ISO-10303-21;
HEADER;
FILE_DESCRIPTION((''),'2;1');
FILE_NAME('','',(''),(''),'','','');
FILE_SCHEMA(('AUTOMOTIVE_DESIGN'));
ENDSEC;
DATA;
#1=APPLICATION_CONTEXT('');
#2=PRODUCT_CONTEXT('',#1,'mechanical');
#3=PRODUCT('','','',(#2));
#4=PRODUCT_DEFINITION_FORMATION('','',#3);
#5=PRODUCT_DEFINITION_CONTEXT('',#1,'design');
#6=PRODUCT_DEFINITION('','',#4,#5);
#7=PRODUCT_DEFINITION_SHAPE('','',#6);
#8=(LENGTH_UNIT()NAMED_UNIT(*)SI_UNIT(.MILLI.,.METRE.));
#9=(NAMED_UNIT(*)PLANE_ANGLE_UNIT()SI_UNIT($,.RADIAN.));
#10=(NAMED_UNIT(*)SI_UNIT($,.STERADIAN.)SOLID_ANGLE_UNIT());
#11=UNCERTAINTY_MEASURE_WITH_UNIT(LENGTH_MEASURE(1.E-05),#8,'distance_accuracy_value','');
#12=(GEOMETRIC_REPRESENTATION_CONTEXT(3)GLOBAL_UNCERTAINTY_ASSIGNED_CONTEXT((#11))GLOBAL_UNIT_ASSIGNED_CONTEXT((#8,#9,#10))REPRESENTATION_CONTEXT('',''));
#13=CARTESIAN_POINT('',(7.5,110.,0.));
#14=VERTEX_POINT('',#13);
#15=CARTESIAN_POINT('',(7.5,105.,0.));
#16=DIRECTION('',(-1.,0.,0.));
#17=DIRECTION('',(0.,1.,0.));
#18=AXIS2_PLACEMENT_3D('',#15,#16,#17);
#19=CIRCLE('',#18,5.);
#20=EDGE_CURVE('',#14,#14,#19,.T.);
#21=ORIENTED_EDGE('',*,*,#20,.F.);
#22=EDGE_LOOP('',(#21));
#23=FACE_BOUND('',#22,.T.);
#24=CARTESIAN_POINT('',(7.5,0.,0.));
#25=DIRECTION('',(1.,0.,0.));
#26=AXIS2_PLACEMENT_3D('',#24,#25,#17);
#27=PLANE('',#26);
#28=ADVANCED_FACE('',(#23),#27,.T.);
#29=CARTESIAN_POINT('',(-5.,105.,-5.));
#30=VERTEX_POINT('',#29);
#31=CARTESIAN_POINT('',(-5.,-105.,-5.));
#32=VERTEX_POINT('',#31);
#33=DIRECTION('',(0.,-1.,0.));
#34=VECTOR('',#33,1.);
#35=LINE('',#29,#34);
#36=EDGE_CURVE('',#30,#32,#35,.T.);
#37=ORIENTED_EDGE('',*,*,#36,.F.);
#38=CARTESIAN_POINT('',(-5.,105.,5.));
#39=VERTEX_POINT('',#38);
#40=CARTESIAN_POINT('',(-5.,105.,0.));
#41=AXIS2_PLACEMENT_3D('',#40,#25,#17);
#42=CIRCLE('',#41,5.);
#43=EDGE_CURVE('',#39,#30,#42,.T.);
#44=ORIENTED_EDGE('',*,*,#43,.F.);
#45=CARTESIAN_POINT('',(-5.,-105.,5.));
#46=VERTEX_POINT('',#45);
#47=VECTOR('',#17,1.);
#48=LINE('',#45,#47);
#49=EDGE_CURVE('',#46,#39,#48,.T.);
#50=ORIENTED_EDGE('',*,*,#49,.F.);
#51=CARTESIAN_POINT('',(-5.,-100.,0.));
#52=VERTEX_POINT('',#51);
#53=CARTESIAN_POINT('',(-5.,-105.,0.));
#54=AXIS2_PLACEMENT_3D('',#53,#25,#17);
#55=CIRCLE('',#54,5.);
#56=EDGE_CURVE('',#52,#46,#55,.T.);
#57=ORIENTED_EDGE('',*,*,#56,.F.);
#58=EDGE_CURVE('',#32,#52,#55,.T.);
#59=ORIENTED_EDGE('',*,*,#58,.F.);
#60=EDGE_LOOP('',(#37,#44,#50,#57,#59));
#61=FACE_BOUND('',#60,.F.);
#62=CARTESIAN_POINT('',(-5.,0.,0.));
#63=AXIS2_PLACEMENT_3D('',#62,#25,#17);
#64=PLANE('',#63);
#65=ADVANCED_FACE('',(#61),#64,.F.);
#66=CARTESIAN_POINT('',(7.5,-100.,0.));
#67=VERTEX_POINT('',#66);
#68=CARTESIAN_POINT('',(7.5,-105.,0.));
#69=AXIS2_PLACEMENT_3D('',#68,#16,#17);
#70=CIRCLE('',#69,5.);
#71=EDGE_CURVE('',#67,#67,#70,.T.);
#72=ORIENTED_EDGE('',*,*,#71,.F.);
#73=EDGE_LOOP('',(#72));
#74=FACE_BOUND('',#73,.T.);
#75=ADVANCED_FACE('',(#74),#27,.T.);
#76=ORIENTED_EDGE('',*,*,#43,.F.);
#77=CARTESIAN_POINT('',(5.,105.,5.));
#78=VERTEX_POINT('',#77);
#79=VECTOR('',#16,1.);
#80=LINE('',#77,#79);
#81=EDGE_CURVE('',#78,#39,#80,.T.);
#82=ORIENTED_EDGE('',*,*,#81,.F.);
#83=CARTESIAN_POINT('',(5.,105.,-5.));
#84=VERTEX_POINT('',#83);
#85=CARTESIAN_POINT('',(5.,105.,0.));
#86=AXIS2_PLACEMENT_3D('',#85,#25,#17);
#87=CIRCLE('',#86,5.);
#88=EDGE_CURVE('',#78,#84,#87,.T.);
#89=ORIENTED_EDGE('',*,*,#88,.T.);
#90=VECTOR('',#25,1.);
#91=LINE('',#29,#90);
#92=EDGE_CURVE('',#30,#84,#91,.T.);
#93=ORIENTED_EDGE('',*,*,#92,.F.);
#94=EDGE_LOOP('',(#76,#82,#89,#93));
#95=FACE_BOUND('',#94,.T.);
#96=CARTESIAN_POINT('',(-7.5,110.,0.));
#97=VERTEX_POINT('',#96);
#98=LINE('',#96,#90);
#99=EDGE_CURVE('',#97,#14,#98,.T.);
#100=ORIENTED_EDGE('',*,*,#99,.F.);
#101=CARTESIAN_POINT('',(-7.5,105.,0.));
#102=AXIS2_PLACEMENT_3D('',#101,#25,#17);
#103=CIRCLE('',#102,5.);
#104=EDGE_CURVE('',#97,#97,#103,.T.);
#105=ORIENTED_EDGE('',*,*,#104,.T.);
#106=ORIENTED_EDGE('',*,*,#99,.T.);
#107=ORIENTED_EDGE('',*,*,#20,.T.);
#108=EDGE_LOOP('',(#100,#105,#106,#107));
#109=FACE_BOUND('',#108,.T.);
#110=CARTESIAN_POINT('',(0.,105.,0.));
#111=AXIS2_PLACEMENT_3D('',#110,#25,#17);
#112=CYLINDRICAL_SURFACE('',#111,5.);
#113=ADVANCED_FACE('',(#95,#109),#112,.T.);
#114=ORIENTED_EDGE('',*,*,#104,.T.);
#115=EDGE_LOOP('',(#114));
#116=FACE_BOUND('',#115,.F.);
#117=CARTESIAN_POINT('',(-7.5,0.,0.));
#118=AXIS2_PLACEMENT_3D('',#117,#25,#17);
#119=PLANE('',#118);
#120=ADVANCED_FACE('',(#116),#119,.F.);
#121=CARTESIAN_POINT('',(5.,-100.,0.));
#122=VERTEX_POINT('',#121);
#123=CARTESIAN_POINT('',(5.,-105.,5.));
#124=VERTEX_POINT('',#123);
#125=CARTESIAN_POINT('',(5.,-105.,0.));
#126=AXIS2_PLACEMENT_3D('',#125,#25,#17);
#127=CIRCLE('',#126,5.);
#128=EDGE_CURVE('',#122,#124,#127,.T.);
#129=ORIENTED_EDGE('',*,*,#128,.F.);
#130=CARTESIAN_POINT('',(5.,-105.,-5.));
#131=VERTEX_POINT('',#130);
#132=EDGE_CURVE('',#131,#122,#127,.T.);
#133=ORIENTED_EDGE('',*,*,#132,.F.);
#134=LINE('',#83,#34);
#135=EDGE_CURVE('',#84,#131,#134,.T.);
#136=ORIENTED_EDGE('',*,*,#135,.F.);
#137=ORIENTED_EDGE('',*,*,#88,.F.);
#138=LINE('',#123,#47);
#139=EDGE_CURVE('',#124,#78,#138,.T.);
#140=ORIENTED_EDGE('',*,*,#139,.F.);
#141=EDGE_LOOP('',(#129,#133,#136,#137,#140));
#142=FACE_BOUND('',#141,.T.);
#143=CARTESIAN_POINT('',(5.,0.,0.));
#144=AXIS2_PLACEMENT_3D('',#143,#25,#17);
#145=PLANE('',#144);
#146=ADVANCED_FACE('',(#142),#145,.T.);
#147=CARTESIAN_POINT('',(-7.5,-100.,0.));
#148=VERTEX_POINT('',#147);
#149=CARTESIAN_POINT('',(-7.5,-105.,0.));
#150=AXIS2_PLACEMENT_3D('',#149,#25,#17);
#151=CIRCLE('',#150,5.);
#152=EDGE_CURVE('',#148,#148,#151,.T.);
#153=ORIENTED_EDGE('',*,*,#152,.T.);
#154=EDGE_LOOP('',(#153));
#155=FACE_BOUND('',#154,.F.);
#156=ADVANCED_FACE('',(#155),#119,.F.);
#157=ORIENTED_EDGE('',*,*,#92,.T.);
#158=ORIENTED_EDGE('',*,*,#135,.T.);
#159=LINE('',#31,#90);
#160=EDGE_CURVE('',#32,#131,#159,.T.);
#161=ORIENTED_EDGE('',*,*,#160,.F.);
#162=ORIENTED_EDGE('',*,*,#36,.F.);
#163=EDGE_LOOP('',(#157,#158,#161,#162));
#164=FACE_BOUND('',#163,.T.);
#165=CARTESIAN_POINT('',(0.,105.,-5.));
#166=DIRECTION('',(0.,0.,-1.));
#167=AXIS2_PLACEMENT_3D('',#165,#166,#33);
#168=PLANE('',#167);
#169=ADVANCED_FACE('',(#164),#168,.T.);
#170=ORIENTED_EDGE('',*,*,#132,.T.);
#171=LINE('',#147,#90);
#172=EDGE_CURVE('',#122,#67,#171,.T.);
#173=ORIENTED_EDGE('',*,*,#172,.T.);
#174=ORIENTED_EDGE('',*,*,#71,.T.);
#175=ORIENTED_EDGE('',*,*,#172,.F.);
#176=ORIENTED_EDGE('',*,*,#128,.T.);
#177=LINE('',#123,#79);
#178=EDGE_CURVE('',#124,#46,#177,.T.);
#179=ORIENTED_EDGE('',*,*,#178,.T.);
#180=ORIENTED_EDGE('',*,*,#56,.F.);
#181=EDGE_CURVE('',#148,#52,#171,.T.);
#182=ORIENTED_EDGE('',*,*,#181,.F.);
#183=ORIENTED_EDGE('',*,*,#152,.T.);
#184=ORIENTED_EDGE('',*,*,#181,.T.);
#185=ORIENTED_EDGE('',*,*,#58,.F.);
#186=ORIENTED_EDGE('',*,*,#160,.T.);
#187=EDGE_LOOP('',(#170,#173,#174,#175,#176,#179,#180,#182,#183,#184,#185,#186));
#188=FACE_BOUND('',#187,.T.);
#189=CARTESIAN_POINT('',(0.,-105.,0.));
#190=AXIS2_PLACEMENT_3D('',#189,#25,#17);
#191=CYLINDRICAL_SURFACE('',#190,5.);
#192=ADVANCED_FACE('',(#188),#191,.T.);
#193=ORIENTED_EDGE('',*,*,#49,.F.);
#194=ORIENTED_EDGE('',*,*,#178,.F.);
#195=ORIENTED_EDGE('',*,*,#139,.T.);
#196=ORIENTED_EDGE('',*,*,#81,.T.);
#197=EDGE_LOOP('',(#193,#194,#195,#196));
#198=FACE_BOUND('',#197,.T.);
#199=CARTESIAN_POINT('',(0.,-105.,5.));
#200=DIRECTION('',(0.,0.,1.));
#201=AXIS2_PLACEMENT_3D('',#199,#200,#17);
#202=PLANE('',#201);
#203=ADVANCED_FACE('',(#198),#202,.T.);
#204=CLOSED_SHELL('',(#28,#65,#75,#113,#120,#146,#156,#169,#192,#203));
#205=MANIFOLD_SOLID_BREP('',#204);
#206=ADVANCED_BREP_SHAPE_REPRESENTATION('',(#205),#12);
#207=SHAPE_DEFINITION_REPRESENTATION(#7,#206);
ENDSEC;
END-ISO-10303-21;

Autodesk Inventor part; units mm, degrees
ref_plane "YZ Plane" through (0, 0, 0) normal (1, 0, 0) x (0, 1, 0)
ref_plane "XZ Plane" through (0, 0, 0) normal (0, 1, 0) x (-1, 0, 0)
ref_plane "XY Plane" through (0, 0, 0) normal (0, 0, 1) x (1, 0, 0)
sketch "スケッチ1" plane through (0, 0, 0) normal (1, 0, 0) x (0, 1, 0)
  line L0 (-105, 5) -> (105, 5)
  line L1 (105, 5) -> (105, -5)
  line L2 (105, -5) -> (-105, -5)
  line L3 (-105, -5) -> (-105, 5)
  circle A0 centre (-105, 0) radius 5
  circle A1 centre (105, 0) radius 5
  point P0 (0, 0)
  point P1 (0, 5)
  dimension "d0" = 210
  dimension "d1" = 10
  dimension "d2" = 5
  dimension "d3" = 105
extrude "押し出し1" add sketch "スケッチ1" along normal blind 5 and the other way blind 5 contours A0 L3 | L0 A1 L2 A0 | L1 A1 picked at (-103.4984, 0.7231) picked at (102.0793, -0.9468)
extrude "押し出し2" add sketch "スケッチ1" along normal blind 7.5 and the other way blind 7.5 contours A0 L3 | L3 A0 | A1 L1 | L1 A1
